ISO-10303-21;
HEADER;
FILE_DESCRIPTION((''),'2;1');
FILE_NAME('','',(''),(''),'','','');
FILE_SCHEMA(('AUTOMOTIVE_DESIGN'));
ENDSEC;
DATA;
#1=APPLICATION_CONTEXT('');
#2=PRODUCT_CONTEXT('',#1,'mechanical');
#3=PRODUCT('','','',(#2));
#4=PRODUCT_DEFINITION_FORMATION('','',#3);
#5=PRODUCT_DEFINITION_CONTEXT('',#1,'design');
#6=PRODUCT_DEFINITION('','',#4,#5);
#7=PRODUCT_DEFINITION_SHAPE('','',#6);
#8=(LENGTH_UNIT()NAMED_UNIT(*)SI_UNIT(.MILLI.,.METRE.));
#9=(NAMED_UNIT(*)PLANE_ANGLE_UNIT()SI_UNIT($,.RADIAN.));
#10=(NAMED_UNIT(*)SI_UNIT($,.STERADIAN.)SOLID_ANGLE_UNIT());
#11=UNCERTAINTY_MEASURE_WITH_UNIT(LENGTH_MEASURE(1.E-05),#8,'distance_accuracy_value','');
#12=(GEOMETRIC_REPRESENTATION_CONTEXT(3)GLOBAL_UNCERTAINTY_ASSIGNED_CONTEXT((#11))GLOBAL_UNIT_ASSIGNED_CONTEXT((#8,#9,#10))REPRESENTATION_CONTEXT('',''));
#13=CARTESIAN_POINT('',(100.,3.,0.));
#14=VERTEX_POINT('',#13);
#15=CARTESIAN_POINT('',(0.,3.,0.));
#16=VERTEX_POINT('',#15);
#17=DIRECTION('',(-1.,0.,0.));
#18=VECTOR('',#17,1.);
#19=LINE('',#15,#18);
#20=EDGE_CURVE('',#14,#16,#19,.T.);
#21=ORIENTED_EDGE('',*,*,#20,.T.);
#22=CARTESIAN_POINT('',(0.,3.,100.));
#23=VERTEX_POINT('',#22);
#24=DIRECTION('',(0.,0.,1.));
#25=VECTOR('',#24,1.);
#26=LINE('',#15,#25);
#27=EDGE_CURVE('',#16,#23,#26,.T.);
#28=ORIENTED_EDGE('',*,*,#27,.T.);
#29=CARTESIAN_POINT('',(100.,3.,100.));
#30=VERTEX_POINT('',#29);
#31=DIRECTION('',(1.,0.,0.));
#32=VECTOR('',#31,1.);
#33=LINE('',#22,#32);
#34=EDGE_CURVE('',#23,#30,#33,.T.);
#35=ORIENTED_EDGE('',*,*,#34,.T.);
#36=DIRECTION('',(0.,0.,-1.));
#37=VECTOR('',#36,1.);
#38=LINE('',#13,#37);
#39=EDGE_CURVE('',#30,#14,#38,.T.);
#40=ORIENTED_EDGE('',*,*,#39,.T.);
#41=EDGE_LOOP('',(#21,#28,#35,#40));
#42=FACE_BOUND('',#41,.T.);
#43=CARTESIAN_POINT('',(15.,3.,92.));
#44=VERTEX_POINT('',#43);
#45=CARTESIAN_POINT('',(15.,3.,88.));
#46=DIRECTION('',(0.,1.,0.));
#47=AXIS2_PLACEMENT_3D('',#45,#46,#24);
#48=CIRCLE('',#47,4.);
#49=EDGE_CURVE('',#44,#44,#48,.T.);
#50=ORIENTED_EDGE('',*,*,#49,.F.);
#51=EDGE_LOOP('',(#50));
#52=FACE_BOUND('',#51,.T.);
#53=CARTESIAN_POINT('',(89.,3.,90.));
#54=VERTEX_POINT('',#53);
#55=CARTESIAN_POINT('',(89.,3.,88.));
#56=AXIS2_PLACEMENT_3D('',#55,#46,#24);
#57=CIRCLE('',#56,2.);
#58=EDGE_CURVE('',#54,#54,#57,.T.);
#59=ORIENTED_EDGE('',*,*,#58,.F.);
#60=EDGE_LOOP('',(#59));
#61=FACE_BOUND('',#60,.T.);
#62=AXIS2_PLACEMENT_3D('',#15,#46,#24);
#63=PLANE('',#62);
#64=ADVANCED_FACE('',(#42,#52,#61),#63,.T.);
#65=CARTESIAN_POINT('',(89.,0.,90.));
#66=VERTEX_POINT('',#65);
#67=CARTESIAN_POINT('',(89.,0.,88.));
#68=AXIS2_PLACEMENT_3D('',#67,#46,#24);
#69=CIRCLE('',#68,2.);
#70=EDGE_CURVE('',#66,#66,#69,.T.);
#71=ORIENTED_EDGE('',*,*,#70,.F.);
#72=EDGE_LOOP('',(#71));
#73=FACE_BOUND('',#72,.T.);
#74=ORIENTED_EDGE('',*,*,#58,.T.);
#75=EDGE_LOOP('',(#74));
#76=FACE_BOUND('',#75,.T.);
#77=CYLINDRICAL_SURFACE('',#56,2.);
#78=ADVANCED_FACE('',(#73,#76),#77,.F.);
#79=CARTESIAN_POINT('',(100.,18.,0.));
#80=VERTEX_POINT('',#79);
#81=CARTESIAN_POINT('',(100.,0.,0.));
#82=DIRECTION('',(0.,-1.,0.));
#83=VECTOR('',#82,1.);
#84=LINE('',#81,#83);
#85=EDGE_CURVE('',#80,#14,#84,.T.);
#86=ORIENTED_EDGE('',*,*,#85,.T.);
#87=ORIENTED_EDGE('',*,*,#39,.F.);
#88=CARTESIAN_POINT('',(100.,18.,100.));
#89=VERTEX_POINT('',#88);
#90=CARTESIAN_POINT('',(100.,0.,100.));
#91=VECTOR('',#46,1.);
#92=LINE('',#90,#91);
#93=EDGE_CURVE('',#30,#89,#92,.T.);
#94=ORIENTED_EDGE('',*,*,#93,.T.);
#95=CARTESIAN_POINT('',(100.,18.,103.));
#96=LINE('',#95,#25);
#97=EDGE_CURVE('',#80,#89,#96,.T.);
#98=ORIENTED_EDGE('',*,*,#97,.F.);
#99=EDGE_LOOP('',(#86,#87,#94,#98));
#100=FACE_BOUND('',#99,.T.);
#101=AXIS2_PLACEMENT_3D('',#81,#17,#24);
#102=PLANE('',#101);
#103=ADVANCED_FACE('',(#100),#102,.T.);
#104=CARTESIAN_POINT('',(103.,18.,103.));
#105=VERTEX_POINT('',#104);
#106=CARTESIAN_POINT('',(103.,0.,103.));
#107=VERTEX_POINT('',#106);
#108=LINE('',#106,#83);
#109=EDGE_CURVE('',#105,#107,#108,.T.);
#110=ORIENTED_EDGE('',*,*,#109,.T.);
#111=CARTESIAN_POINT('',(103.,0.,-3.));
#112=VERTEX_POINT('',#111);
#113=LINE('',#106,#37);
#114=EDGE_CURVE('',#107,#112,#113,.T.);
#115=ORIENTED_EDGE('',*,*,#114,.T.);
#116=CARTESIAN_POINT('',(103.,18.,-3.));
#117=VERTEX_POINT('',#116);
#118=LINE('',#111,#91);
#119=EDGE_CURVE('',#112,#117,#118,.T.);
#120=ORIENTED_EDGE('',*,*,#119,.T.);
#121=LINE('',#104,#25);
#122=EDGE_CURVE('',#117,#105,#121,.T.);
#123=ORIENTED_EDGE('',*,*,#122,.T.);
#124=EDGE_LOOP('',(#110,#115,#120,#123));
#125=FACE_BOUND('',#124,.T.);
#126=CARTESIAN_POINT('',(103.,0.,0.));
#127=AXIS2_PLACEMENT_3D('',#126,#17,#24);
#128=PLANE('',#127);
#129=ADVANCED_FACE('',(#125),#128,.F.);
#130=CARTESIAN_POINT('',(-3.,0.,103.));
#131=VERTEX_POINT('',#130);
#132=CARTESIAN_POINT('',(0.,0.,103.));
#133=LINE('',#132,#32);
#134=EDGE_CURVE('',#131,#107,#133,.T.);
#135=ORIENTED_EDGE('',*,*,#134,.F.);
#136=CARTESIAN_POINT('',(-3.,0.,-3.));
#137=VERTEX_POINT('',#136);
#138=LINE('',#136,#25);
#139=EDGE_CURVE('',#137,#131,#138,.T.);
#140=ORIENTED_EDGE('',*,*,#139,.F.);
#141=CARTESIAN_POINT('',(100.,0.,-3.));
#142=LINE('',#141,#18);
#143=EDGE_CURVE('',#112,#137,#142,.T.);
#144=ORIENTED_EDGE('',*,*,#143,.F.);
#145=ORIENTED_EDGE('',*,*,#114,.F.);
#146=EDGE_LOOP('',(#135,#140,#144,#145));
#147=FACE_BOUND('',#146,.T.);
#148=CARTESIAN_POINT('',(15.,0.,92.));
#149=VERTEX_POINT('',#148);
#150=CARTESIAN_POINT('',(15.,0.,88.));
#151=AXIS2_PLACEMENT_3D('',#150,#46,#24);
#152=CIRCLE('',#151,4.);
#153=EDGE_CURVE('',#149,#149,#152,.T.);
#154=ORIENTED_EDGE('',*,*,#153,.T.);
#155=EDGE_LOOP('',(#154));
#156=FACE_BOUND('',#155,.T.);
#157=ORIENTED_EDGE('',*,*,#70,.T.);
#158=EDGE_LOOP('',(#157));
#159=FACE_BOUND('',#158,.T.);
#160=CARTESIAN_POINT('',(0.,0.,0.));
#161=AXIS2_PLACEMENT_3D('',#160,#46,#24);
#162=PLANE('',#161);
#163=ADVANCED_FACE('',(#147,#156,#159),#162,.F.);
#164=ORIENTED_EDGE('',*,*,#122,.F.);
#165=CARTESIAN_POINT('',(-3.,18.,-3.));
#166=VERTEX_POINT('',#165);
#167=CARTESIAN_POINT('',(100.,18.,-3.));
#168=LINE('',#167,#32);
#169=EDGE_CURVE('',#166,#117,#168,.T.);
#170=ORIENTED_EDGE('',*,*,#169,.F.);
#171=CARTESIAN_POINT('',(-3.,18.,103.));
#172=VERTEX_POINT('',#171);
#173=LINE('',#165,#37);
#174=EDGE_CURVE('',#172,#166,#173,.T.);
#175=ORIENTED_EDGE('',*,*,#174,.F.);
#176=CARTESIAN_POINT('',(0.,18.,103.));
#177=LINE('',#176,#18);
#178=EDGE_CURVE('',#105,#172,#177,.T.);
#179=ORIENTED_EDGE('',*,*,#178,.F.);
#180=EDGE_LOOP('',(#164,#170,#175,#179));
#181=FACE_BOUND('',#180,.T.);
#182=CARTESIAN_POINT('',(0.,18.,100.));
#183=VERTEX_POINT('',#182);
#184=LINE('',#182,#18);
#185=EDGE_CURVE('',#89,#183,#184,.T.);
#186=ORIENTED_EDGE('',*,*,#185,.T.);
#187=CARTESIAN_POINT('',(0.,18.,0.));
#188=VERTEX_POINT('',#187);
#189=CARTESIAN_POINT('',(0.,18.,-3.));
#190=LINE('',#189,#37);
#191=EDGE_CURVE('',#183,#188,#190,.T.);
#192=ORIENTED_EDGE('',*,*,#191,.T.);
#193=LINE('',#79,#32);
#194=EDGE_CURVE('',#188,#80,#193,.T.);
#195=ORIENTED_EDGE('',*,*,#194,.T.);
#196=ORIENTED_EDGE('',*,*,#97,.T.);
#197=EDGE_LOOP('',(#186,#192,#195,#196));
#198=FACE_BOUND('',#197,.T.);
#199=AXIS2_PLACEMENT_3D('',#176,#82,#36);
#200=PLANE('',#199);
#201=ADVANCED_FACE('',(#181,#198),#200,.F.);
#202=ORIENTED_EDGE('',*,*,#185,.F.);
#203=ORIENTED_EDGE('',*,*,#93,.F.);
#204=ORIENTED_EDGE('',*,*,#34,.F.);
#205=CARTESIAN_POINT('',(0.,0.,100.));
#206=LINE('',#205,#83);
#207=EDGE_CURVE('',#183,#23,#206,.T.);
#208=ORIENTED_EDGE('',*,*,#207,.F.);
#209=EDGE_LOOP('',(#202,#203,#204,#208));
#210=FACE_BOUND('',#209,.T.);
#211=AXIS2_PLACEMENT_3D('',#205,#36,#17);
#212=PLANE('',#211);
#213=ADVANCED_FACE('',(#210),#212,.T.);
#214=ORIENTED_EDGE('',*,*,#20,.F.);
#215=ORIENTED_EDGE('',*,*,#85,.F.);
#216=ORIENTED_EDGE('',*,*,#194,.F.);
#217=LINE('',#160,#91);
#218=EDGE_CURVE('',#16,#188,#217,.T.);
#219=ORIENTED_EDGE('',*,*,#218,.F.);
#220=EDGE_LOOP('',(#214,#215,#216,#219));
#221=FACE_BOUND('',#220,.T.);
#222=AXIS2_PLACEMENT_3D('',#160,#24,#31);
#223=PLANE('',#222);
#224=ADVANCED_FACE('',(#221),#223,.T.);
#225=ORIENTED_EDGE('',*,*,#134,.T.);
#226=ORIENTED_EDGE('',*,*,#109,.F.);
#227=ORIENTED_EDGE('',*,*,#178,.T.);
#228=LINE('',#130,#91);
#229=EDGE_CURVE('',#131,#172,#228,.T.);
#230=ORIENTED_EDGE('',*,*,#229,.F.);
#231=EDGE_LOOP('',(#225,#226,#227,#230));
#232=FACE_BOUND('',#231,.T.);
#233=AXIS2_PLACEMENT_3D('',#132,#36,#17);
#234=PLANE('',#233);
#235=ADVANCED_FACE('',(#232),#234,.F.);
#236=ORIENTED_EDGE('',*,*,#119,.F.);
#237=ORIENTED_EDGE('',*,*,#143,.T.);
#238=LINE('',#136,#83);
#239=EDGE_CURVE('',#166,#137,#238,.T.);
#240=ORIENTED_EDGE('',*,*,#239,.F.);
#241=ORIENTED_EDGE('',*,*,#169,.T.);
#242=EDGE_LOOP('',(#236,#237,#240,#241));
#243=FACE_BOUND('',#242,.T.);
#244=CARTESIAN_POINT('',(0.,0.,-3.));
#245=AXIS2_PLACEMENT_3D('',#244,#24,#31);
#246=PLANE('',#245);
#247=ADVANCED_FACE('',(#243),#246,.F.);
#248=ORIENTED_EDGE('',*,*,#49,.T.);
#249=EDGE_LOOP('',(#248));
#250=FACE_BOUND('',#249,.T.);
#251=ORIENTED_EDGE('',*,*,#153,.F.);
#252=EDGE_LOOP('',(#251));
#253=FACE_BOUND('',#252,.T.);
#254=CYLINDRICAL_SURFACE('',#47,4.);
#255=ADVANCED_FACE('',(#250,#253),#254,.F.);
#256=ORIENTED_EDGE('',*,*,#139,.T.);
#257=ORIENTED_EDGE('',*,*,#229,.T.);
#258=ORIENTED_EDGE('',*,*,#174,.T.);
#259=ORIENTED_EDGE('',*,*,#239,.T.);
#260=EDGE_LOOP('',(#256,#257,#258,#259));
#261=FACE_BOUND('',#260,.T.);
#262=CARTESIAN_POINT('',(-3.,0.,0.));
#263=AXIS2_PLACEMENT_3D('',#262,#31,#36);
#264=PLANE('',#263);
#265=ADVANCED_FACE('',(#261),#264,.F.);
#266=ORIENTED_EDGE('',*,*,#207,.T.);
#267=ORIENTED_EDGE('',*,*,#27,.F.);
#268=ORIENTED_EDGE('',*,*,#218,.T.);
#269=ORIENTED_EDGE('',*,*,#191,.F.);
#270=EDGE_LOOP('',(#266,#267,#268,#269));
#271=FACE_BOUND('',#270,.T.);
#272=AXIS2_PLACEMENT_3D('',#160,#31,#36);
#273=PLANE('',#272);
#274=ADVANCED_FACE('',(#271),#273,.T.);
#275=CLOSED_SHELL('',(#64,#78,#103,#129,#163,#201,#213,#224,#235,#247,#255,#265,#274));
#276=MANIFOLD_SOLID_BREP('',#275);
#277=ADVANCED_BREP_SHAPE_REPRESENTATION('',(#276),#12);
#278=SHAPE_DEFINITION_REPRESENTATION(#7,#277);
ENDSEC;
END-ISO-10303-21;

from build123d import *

# Parameters (mm, degrees)
SKETCH3_W             = 100
SKETCH3_H             = 100
BOSS_EXTRUDE1_DEPTH   = 3
SKETCH5_W             = 100
SKETCH5_H             = 18
BOSS_EXTRUDE2_DEPTH   = 3
SKETCH6_W             = 100
SKETCH6_H             = 18
BOSS_EXTRUDE3_DEPTH   = 3
SKETCH7_W             = 106
SKETCH7_H             = 18
BOSS_EXTRUDE4_DEPTH   = 3
SKETCH9_W             = 106
SKETCH9_H             = 18
BOSS_EXTRUDE5_DEPTH   = 3
F_8_0MM_DOWEL_HOLE1_D = 8
F_4_0MM_DOWEL_HOLE1_D = 4


with BuildPart() as part:
    # Sketch3 → Boss-Extrude1 (new body)
    with BuildSketch(Plane(origin=(0, 0, 0), x_dir=(1, 0, 0), z_dir=(0, 1, 0))):
        with Locations((50, -50)):
            Rectangle(SKETCH3_W, SKETCH3_H)
    extrude(amount=BOSS_EXTRUDE1_DEPTH)

    # Sketch5 → Boss-Extrude2 (add)
    with BuildSketch(Plane.XY.offset(100)):
        with Locations((50, 9)):
            Rectangle(SKETCH5_W, SKETCH5_H)
    extrude(amount=BOSS_EXTRUDE2_DEPTH)

    # Sketch6 → Boss-Extrude3 (add)
    with BuildSketch(Plane(origin=(0, 0, 0), x_dir=(-1, 0, 0), z_dir=(0, 0, -1))):
        with Locations((-50, 9)):
            Rectangle(SKETCH6_W, SKETCH6_H)
    extrude(amount=BOSS_EXTRUDE3_DEPTH)

    # Sketch7 → Boss-Extrude4 (add)
    with BuildSketch(Plane.ZY):
        with Locations((50, 9)):
            Rectangle(SKETCH7_W, SKETCH7_H)
    extrude(amount=BOSS_EXTRUDE4_DEPTH)

    # Sketch9 → Boss-Extrude5 (add)
    with BuildSketch(Plane(origin=(100, 0, 0), x_dir=(0, 0, -1), z_dir=(1, 0, 0))):
        with Locations((-50, 9)):
            Rectangle(SKETCH9_W, SKETCH9_H)
    extrude(amount=BOSS_EXTRUDE5_DEPTH)

    # Ø8.0mm Dowel Hole1 (through all)
    with Locations(Plane(origin=(0, 3, 0), x_dir=(1, 0, 0), z_dir=(0, 1, 0))):
        with Locations((15, -88)):
            Hole(F_8_0MM_DOWEL_HOLE1_D / 2)

    # Ø4.0mm Dowel Hole1 (through all)
    with Locations(Plane(origin=(0, 3, 0), x_dir=(1, 0, 0), z_dir=(0, 1, 0))):
        with Locations((89, -88)):
            Hole(F_4_0MM_DOWEL_HOLE1_D / 2)


solid = part.part
